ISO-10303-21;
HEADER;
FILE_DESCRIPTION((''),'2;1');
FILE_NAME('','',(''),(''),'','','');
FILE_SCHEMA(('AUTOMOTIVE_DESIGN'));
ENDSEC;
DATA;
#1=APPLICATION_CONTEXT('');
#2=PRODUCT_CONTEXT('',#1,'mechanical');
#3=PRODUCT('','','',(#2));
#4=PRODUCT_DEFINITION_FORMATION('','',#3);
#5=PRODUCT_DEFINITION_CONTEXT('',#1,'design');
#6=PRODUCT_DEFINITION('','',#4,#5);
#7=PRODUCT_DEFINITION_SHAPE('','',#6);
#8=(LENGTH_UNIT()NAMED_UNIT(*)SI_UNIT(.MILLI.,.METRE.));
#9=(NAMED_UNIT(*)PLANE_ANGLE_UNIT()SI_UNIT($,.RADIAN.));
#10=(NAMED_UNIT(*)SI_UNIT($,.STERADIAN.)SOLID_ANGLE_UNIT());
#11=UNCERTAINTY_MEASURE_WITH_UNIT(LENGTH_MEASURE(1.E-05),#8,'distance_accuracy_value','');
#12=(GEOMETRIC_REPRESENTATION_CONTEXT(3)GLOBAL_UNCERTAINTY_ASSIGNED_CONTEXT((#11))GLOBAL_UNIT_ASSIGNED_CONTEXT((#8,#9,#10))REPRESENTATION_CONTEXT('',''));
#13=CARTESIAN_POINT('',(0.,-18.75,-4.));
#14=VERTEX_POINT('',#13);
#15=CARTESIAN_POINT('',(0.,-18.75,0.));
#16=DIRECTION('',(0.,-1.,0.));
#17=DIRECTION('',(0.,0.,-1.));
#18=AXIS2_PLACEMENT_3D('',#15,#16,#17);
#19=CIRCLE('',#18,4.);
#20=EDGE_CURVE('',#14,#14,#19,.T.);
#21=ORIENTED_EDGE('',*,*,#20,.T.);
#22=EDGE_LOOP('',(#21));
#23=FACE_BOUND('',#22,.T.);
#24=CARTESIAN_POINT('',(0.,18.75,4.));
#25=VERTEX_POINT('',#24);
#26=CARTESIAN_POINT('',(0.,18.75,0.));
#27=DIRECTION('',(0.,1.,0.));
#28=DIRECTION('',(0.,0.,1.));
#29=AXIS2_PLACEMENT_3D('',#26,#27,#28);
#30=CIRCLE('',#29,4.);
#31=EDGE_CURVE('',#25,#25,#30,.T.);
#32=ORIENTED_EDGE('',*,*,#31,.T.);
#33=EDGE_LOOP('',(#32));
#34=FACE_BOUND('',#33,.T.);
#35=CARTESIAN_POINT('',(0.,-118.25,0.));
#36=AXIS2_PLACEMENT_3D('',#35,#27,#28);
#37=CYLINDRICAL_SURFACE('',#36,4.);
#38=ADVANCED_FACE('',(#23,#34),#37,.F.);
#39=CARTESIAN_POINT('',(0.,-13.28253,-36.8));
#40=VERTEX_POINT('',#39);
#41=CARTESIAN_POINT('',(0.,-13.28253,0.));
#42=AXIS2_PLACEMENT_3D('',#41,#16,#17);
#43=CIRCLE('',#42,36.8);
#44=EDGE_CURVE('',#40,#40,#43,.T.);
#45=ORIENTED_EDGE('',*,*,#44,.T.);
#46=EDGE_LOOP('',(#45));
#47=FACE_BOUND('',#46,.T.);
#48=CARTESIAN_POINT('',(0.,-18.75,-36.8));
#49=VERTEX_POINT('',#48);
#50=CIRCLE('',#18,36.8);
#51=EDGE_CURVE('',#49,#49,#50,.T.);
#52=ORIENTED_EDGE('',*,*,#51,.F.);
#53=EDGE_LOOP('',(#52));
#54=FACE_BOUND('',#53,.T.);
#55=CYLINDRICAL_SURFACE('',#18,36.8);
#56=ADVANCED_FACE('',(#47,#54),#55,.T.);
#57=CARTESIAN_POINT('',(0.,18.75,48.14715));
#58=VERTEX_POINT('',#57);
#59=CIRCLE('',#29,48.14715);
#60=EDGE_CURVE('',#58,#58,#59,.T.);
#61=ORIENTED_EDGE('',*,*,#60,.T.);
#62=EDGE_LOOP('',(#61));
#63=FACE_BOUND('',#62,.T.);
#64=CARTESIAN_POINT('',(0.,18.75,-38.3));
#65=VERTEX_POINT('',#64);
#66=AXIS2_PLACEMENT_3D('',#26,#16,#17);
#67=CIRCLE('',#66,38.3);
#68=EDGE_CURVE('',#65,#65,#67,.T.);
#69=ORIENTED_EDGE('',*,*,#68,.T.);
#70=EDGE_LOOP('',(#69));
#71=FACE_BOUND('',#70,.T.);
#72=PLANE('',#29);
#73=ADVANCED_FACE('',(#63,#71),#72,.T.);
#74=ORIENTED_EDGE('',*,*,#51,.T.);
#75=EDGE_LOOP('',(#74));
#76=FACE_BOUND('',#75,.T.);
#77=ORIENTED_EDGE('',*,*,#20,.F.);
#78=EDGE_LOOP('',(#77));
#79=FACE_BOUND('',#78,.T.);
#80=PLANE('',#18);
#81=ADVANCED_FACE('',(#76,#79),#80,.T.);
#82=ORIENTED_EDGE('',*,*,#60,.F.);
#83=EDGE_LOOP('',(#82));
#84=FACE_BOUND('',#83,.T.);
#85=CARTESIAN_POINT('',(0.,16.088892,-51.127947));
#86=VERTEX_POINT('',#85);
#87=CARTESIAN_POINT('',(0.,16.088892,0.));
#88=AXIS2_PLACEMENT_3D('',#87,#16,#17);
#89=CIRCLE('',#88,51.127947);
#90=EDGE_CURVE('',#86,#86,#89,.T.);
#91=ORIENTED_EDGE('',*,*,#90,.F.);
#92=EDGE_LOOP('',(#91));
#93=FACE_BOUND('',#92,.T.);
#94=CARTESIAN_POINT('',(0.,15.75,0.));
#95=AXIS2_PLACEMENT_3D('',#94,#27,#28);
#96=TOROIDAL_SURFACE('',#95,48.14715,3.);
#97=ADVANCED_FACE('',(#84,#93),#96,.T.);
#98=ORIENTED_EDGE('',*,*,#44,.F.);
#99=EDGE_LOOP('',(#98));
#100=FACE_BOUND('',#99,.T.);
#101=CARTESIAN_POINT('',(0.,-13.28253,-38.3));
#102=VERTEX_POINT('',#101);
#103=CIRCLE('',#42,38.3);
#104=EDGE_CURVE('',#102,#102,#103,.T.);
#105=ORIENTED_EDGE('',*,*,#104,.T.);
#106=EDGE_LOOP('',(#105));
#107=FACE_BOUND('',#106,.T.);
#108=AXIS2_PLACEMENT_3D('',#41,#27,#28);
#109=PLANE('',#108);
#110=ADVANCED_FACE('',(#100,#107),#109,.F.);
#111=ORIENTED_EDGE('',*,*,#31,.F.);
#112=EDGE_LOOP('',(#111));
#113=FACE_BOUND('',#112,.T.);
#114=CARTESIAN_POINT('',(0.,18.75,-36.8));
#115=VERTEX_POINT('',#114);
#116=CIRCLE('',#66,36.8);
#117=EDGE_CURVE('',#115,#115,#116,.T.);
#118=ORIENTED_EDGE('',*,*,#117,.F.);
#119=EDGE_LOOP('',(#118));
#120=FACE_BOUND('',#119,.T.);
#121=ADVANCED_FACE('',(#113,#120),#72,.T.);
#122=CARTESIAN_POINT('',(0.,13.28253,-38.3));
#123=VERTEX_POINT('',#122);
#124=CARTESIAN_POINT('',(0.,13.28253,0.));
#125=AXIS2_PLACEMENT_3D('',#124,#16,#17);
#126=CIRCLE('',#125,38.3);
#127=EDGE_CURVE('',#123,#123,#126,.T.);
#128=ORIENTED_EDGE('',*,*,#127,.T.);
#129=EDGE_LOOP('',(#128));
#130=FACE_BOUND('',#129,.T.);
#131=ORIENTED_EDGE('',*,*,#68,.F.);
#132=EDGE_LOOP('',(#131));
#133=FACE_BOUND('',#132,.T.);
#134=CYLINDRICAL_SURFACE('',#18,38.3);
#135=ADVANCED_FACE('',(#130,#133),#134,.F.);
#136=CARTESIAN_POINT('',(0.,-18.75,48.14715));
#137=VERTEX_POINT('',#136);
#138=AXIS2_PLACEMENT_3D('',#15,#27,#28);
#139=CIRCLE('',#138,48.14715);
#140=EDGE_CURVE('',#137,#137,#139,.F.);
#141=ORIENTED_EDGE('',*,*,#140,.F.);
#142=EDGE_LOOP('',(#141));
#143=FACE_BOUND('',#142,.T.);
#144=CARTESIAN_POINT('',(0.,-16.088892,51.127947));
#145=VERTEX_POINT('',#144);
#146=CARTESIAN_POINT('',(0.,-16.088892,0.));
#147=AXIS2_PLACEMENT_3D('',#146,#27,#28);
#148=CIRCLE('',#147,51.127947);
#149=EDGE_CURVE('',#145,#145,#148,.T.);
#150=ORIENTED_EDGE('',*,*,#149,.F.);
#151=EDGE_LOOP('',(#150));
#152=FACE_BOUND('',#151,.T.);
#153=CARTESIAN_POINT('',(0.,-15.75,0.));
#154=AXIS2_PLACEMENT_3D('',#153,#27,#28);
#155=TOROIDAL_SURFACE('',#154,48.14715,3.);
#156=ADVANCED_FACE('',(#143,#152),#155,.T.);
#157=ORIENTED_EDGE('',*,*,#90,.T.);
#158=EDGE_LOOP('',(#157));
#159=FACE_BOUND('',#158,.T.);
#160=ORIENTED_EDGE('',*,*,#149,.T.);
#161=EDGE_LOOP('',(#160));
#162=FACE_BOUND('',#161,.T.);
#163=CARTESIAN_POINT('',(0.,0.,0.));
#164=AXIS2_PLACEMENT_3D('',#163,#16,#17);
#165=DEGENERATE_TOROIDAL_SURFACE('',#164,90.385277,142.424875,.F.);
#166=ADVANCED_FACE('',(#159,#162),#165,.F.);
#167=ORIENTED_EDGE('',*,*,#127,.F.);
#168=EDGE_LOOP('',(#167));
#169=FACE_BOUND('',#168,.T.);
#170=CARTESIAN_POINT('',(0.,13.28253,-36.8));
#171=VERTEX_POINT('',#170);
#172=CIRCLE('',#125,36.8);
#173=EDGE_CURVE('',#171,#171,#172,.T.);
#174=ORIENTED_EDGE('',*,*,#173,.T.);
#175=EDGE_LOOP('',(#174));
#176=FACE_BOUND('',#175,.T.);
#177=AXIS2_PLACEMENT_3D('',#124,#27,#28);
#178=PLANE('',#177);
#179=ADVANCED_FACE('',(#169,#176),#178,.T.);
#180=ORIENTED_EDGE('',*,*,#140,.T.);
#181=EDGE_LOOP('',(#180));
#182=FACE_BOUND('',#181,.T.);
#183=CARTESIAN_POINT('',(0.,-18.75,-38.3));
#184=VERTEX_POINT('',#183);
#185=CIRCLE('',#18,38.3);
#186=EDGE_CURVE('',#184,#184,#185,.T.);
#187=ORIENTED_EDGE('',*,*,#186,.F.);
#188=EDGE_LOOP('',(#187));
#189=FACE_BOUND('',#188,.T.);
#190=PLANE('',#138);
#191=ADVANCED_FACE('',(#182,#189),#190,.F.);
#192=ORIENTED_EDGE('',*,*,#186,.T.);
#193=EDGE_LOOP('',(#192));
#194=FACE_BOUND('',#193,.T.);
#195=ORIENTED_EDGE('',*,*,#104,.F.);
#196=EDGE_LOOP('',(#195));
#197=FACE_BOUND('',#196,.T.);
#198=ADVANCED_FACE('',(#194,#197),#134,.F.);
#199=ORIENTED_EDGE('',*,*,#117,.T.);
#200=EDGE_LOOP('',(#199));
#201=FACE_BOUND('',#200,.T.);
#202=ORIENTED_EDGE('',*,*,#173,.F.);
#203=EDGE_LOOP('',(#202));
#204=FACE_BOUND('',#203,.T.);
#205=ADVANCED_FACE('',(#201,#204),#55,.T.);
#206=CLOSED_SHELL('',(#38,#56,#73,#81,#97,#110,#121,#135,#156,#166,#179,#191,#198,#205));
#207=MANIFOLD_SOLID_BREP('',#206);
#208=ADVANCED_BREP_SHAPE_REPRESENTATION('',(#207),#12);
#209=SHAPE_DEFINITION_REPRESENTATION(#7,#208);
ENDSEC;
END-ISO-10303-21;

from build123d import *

# Parameters (mm, degrees)
FILLET1_R          = 3
SKETCH2_R          = 4
CUT_EXTRUDE1_DEPTH = 137


with BuildPart() as part:
    # Sketch1 → Revolve2 (revolve)
    with BuildSketch(Plane.XY, mode=Mode.PRIVATE) as revolve2_sk:
        with BuildLine():
            Line((-50.8, 18.75), (-38.3, 18.75))
            Line((-38.3, 18.75), (-38.3, 13.2825304))
            Line((-38.3, 13.2825304), (-36.8, 13.2825304))
            Line((-36.8, 13.2825304), (-36.8, 18.75))
            Line((-36.8, 18.75), (0, 18.75))
            Line((0, 18.75), (0, -18.75))
            Line((0, -18.75), (-36.8, -18.75))
            Line((-36.8, -18.75), (-36.8, -13.2825304))
            Line((-36.8, -13.2825304), (-38.3, -13.2825304))
            Line((-38.3, -13.2825304), (-38.3, -18.75))
            Line((-38.3, -18.75), (-50.8, -18.75))
            ThreePointArc((-50.8, -18.75), (-52.039597726, 0), (-50.8, 18.75))
        make_face()
    revolve(revolve2_sk.sketch.rotate(Axis((0, -18.75, 0), (0, 1, 0)), 270), axis=Axis((0, -18.75, 0), (0, 1, 0)))  # turned: the seam where the file's is

    # Fillet1
    fillet1_edges = [part.edges().sort_by_distance(p)[0] for p in [
        (0, -18.75, 50.8),
        (0, 18.75, 50.8),
    ]]
    fillet(fillet1_edges, radius=FILLET1_R)

    # Sketch2 → Cut-Extrude1 (cut)
    with BuildSketch(Plane(origin=(0, 18.75, 0), x_dir=(1, 0, 0), z_dir=(0, 1, 0))):
        with Locations(Location((0, 0, 0), (0, 0, 270))):  # turned: the seam where the file's is
            Circle(SKETCH2_R)
    extrude(amount=-CUT_EXTRUDE1_DEPTH, mode=Mode.SUBTRACT)


solid = part.part
